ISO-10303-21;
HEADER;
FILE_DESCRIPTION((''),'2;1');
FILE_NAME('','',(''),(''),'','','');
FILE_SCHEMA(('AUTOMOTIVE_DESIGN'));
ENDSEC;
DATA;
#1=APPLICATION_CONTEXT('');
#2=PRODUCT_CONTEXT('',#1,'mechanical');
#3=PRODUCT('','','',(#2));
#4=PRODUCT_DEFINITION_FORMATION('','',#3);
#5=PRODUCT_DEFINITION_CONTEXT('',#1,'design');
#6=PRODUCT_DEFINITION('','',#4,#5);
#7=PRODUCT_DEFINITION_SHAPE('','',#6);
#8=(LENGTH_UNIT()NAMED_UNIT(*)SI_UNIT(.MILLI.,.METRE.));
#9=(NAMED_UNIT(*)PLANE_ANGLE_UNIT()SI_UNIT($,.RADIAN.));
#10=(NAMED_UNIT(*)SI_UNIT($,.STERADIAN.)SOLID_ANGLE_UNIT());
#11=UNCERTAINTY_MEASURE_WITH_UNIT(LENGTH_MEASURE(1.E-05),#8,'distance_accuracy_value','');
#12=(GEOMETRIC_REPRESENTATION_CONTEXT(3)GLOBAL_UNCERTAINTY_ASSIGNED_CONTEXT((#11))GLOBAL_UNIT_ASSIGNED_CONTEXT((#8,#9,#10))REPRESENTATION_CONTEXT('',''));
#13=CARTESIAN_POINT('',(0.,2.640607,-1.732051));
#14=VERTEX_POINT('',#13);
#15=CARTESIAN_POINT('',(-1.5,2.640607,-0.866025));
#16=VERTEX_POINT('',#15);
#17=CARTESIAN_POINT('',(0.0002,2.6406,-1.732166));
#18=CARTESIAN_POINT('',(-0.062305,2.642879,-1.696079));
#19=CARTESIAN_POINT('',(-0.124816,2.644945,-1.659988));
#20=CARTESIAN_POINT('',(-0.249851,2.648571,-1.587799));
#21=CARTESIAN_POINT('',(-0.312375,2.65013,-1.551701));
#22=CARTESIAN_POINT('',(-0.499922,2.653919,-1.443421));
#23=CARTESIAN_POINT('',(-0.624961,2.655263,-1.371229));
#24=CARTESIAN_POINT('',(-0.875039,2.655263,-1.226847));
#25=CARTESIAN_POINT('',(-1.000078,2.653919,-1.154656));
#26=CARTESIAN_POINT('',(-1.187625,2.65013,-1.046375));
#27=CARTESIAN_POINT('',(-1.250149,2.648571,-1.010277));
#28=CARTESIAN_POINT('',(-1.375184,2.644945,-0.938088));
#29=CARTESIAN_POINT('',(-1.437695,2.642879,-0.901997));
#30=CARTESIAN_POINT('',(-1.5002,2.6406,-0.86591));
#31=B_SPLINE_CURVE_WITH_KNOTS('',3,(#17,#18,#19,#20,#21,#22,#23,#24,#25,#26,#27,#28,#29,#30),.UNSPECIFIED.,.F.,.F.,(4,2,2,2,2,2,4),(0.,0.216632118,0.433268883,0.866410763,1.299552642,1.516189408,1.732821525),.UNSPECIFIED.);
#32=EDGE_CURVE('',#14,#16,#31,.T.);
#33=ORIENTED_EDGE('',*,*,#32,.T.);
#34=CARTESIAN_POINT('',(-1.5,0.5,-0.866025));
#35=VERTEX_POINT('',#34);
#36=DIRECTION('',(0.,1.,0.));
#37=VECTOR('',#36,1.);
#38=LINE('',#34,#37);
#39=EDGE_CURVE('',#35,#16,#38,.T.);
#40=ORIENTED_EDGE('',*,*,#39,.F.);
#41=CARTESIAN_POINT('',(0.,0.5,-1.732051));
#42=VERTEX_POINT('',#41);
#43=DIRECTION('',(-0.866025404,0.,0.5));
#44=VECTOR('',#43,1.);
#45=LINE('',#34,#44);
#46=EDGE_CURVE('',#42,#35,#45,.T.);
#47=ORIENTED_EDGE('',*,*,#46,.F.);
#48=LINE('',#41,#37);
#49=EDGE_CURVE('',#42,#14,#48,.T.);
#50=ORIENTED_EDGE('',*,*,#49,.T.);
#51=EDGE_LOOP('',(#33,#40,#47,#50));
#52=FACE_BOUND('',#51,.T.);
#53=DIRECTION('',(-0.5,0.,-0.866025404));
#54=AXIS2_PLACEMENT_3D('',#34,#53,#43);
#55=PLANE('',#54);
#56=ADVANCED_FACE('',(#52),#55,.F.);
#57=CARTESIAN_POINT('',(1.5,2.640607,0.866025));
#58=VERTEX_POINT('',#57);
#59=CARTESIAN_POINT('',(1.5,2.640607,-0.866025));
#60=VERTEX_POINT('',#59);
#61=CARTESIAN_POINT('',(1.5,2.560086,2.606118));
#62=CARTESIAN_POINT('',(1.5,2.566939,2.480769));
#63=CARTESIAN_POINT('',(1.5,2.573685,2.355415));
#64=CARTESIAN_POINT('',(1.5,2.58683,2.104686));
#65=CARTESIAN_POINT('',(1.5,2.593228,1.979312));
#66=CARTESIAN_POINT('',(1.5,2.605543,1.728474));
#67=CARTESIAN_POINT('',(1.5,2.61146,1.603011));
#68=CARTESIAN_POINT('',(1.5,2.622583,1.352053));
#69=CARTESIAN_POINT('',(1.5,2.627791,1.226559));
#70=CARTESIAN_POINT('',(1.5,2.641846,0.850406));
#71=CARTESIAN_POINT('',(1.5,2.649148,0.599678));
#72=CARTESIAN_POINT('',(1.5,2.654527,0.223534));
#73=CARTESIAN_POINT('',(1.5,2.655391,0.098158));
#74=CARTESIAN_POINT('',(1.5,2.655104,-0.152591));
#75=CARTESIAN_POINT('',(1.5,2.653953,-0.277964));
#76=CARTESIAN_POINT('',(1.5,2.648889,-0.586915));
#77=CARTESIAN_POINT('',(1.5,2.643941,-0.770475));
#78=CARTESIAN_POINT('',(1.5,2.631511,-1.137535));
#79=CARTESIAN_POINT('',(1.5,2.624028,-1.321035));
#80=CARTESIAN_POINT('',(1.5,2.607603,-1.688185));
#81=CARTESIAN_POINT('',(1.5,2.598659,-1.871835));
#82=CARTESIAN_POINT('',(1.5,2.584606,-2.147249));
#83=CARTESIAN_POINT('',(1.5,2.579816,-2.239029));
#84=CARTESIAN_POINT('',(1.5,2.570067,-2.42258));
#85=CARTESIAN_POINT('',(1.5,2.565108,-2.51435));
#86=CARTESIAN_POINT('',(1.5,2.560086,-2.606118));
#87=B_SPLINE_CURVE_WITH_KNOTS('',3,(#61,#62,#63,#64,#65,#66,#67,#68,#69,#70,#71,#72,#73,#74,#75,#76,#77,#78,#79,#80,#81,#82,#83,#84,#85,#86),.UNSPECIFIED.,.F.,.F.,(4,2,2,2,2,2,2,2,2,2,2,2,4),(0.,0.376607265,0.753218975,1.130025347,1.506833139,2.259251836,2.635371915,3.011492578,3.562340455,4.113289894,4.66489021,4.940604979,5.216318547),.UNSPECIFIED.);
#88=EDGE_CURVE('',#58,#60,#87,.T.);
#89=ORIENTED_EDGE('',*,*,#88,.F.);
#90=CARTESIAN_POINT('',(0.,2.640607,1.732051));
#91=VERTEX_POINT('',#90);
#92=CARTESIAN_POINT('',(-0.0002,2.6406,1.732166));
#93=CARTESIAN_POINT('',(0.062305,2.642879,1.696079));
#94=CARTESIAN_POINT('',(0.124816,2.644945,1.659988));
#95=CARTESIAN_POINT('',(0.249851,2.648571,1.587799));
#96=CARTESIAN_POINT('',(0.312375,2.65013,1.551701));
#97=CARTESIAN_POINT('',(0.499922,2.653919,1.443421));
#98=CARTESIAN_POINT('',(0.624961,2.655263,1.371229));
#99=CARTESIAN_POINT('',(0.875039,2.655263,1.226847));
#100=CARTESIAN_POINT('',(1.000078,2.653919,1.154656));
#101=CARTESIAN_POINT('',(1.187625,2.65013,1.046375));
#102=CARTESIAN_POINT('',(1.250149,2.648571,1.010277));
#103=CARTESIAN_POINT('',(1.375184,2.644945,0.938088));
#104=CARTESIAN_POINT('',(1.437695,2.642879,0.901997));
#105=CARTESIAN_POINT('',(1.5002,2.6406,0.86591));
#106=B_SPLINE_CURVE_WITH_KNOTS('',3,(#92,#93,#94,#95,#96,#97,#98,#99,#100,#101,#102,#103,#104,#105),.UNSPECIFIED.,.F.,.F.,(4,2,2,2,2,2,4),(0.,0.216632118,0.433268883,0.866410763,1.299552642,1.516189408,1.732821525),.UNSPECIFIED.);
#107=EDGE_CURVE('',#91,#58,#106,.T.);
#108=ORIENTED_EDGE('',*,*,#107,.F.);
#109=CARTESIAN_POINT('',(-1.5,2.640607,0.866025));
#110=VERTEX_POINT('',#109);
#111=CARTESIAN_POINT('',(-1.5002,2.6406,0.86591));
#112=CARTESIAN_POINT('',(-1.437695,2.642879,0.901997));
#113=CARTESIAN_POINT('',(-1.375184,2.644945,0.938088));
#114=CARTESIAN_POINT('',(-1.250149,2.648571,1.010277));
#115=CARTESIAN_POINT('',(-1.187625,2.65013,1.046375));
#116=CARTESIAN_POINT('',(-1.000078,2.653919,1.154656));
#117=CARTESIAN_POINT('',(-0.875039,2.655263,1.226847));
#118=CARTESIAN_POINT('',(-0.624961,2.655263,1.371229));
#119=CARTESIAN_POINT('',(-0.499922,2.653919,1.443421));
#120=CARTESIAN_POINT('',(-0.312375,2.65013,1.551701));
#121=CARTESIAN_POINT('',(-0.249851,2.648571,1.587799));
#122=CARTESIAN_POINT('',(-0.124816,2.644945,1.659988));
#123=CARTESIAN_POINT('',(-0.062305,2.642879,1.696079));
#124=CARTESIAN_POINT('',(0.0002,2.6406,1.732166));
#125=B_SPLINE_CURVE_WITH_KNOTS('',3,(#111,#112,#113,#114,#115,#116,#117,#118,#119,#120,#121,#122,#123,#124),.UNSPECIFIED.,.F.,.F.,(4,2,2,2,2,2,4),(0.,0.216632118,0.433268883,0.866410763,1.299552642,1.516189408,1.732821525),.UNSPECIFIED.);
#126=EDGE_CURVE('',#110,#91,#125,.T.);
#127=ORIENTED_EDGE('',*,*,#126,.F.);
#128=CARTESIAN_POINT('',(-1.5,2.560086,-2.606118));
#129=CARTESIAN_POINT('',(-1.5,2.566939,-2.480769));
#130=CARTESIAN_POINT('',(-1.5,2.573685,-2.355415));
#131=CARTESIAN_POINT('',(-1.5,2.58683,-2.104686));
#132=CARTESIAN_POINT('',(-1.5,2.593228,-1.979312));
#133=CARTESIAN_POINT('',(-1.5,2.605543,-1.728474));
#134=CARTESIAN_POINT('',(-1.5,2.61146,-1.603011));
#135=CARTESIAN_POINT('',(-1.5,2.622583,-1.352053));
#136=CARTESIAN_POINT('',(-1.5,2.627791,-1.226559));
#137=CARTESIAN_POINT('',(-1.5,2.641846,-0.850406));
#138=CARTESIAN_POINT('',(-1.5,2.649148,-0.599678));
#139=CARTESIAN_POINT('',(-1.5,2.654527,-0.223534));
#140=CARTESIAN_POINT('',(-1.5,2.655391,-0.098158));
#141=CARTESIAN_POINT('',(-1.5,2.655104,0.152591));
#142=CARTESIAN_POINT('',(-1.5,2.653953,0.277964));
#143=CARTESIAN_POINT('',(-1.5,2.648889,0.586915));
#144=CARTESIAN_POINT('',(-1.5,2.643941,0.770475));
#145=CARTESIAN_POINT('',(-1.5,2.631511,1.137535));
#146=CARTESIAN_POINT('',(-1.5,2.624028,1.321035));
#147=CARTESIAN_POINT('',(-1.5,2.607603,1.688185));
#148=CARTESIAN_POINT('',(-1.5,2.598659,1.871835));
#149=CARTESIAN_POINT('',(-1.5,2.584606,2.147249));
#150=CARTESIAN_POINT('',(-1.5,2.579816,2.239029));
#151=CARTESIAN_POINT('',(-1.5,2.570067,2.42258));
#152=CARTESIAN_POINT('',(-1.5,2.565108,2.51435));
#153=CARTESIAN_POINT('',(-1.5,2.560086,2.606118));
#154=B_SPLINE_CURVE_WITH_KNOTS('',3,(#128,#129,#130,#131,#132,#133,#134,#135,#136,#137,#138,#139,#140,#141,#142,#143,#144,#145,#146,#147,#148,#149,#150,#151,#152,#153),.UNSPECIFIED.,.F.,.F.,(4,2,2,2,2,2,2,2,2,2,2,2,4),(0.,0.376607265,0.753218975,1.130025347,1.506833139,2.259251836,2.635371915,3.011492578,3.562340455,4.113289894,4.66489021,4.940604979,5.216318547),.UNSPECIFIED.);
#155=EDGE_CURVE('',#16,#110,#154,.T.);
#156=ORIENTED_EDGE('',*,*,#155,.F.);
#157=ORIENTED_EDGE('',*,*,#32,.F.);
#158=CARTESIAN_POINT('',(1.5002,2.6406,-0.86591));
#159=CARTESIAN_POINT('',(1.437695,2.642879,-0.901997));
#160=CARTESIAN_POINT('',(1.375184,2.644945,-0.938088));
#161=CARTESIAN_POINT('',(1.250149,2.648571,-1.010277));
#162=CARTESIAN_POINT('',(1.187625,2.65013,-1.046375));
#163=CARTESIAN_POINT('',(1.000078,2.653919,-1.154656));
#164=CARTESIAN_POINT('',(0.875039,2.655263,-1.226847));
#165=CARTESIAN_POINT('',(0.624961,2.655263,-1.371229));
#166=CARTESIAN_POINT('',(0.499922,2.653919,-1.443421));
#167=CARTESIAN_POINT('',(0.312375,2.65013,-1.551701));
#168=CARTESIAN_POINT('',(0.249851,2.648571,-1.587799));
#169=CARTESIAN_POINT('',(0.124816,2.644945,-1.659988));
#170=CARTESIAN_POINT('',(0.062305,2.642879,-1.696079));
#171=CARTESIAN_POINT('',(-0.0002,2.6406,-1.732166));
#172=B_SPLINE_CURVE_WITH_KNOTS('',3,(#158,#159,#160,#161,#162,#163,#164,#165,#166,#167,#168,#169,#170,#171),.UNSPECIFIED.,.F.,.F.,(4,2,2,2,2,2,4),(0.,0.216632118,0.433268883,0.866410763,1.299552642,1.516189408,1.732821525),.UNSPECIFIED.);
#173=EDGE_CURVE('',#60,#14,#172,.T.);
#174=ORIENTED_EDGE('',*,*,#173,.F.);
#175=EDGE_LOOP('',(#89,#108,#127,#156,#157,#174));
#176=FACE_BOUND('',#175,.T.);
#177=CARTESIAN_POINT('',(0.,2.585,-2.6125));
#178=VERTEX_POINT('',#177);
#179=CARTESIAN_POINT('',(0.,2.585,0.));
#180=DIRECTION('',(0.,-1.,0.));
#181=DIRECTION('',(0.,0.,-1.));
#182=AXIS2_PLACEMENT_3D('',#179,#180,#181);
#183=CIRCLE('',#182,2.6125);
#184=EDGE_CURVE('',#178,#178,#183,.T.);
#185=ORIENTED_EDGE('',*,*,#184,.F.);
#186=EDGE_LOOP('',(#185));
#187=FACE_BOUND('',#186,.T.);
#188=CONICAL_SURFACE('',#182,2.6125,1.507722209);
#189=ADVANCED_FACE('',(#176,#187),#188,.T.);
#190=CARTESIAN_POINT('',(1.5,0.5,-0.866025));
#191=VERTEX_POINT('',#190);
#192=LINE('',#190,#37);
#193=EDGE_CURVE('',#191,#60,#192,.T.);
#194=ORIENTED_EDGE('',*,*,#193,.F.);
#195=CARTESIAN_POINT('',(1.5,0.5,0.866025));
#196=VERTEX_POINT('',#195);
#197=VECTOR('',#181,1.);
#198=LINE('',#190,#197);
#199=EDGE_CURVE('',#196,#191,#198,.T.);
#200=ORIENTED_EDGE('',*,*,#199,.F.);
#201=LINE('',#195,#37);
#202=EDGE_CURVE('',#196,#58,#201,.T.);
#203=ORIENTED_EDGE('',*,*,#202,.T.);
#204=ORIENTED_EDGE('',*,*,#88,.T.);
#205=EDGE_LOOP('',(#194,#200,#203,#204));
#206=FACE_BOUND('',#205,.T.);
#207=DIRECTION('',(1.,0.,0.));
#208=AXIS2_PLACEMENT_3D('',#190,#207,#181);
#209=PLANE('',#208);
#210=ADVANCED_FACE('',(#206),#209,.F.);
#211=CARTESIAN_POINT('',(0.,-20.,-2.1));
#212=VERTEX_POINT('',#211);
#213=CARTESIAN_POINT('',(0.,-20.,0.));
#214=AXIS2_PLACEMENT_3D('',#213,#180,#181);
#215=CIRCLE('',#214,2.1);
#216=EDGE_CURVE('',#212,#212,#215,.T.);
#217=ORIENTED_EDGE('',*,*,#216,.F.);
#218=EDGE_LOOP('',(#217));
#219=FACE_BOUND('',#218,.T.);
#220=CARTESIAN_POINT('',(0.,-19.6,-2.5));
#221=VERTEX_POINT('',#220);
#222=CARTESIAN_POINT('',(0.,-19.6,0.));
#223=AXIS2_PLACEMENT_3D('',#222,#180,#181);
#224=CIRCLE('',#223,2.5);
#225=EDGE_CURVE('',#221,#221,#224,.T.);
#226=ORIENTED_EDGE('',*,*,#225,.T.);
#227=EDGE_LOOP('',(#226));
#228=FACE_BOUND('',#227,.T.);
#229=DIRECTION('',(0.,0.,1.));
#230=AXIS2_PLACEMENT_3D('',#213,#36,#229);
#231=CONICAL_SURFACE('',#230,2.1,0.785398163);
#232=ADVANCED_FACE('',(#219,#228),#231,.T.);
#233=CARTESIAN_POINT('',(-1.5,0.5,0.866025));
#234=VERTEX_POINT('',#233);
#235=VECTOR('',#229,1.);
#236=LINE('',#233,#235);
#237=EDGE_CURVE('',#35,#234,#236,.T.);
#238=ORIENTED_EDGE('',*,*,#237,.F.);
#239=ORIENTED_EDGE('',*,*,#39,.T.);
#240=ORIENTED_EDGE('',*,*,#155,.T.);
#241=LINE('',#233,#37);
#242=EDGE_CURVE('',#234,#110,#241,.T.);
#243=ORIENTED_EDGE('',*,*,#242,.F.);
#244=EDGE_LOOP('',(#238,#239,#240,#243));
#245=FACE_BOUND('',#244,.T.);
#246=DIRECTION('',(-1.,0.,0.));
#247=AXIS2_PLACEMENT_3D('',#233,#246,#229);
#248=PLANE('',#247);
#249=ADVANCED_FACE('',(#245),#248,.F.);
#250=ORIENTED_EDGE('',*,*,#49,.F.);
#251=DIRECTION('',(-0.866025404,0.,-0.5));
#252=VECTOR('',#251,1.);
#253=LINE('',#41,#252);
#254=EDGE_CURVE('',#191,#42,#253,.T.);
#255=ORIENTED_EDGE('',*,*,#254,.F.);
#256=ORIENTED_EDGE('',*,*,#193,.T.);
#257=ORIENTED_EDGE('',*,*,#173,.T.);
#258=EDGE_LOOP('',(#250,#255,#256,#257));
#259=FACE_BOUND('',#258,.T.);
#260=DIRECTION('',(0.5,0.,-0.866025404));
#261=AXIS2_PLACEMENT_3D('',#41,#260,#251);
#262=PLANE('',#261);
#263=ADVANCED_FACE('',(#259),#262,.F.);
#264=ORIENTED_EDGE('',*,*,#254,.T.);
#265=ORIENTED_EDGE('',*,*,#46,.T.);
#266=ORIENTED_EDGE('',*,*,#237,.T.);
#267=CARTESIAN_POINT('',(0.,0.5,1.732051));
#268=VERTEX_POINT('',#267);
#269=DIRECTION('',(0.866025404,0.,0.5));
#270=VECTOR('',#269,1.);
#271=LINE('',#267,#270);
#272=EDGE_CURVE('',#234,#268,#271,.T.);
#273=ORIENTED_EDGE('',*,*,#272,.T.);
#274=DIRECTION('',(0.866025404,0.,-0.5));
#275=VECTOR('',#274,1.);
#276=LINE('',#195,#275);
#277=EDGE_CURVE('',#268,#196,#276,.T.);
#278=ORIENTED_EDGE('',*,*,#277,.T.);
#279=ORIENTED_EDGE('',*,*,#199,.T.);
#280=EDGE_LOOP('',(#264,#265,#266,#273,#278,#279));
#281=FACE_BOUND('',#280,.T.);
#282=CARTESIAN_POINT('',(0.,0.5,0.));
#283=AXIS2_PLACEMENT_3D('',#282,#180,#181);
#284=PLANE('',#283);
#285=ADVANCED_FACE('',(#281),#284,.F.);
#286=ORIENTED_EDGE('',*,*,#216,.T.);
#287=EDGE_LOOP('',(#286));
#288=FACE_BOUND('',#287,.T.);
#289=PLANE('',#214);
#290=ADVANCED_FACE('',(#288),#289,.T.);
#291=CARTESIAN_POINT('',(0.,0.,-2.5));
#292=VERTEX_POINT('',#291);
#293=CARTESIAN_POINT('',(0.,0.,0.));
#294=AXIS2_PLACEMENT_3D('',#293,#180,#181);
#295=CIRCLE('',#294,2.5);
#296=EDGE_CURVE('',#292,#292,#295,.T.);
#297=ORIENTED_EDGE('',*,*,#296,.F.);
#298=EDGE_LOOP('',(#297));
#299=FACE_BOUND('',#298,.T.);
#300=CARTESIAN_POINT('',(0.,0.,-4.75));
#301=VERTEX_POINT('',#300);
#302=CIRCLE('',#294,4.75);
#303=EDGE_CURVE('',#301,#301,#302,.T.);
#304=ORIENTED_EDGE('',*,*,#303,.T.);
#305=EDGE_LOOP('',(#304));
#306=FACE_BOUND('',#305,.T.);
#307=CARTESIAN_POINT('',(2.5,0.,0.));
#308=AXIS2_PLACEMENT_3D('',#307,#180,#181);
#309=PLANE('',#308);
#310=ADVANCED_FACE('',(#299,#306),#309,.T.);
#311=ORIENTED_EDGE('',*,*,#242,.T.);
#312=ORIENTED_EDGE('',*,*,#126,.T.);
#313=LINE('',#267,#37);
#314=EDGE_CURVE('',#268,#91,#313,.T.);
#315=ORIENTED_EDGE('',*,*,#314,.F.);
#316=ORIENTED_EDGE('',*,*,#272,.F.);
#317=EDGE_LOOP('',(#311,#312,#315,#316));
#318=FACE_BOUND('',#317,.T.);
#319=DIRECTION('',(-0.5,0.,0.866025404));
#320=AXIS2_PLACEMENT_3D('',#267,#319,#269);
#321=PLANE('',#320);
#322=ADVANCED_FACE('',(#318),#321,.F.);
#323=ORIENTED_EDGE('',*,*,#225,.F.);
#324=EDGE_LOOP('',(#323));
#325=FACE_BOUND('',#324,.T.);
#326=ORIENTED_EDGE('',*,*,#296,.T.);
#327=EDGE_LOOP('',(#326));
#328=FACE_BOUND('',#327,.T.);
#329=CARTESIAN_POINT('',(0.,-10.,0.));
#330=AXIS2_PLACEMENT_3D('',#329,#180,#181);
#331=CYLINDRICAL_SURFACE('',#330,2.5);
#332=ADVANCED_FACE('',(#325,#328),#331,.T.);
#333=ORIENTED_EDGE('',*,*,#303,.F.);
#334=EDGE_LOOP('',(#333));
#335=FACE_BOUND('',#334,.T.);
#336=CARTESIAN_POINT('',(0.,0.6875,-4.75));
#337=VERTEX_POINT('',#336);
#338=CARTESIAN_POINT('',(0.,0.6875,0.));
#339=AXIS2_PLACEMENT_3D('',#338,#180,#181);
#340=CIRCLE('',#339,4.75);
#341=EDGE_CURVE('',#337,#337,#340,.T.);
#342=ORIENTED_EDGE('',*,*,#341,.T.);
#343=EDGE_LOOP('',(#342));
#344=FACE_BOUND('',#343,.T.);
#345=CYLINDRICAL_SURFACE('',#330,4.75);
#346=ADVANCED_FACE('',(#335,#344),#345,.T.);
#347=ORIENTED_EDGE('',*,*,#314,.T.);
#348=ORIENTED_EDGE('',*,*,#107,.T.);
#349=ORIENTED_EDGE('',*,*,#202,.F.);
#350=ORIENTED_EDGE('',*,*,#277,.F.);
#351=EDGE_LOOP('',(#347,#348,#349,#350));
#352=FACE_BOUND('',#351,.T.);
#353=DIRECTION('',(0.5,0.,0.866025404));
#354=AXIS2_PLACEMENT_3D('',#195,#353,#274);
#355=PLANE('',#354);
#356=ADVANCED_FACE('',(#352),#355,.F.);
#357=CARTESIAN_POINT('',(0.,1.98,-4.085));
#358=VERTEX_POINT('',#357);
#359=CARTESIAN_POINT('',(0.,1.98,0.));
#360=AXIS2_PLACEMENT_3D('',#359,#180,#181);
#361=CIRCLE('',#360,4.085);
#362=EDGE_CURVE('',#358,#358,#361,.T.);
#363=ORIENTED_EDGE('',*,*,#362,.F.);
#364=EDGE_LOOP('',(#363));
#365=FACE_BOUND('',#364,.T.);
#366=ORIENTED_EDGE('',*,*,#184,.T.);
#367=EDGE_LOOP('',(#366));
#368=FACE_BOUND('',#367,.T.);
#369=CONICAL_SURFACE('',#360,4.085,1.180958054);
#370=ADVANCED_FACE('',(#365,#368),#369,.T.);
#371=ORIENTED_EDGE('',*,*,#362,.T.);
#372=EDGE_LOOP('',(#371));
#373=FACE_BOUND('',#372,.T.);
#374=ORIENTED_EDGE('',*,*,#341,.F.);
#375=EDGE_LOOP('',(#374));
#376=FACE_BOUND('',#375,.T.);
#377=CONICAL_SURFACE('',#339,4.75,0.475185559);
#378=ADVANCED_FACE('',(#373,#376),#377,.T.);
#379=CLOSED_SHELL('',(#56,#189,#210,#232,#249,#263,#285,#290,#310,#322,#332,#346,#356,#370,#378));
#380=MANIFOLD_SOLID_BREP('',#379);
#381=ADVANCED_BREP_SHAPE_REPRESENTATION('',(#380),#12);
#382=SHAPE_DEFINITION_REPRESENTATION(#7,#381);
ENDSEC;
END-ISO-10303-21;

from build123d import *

# Parameters (mm, degrees)
CUT_EXTRUDE1_DEPTH = 2.25


with BuildPart() as part:
    # Sketch1 → Revolve1 (revolve)
    with BuildSketch(Plane.XY, mode=Mode.PRIVATE) as revolve1_sk:
        Polygon((0, -20), (2.1, -20), (2.5, -19.6), (2.5, 0), (4.75, 0), (4.75, 0.6875), (4.085, 1.98), (2.6125, 2.585), (0, 2.75), align=None)
    revolve(revolve1_sk.sketch.rotate(Axis((0, -10, 0), (0, 1, 0)), 90), axis=Axis((0, -10, 0), (0, 1, 0)))

    # Sketch2 → Cut-Extrude1 (cut)
    with BuildSketch(Plane(origin=(0, 2.75, 0), x_dir=(1, 0, 0), z_dir=(0, 1, 0))):
        Polygon((1.5, -0.866025404), (0, -1.732050808), (-1.5, -0.866025404), (-1.5, 0.866025404), (0, 1.732050808), (1.5, 0.866025404), align=None)
    extrude(amount=-CUT_EXTRUDE1_DEPTH, mode=Mode.SUBTRACT)


solid = part.part
